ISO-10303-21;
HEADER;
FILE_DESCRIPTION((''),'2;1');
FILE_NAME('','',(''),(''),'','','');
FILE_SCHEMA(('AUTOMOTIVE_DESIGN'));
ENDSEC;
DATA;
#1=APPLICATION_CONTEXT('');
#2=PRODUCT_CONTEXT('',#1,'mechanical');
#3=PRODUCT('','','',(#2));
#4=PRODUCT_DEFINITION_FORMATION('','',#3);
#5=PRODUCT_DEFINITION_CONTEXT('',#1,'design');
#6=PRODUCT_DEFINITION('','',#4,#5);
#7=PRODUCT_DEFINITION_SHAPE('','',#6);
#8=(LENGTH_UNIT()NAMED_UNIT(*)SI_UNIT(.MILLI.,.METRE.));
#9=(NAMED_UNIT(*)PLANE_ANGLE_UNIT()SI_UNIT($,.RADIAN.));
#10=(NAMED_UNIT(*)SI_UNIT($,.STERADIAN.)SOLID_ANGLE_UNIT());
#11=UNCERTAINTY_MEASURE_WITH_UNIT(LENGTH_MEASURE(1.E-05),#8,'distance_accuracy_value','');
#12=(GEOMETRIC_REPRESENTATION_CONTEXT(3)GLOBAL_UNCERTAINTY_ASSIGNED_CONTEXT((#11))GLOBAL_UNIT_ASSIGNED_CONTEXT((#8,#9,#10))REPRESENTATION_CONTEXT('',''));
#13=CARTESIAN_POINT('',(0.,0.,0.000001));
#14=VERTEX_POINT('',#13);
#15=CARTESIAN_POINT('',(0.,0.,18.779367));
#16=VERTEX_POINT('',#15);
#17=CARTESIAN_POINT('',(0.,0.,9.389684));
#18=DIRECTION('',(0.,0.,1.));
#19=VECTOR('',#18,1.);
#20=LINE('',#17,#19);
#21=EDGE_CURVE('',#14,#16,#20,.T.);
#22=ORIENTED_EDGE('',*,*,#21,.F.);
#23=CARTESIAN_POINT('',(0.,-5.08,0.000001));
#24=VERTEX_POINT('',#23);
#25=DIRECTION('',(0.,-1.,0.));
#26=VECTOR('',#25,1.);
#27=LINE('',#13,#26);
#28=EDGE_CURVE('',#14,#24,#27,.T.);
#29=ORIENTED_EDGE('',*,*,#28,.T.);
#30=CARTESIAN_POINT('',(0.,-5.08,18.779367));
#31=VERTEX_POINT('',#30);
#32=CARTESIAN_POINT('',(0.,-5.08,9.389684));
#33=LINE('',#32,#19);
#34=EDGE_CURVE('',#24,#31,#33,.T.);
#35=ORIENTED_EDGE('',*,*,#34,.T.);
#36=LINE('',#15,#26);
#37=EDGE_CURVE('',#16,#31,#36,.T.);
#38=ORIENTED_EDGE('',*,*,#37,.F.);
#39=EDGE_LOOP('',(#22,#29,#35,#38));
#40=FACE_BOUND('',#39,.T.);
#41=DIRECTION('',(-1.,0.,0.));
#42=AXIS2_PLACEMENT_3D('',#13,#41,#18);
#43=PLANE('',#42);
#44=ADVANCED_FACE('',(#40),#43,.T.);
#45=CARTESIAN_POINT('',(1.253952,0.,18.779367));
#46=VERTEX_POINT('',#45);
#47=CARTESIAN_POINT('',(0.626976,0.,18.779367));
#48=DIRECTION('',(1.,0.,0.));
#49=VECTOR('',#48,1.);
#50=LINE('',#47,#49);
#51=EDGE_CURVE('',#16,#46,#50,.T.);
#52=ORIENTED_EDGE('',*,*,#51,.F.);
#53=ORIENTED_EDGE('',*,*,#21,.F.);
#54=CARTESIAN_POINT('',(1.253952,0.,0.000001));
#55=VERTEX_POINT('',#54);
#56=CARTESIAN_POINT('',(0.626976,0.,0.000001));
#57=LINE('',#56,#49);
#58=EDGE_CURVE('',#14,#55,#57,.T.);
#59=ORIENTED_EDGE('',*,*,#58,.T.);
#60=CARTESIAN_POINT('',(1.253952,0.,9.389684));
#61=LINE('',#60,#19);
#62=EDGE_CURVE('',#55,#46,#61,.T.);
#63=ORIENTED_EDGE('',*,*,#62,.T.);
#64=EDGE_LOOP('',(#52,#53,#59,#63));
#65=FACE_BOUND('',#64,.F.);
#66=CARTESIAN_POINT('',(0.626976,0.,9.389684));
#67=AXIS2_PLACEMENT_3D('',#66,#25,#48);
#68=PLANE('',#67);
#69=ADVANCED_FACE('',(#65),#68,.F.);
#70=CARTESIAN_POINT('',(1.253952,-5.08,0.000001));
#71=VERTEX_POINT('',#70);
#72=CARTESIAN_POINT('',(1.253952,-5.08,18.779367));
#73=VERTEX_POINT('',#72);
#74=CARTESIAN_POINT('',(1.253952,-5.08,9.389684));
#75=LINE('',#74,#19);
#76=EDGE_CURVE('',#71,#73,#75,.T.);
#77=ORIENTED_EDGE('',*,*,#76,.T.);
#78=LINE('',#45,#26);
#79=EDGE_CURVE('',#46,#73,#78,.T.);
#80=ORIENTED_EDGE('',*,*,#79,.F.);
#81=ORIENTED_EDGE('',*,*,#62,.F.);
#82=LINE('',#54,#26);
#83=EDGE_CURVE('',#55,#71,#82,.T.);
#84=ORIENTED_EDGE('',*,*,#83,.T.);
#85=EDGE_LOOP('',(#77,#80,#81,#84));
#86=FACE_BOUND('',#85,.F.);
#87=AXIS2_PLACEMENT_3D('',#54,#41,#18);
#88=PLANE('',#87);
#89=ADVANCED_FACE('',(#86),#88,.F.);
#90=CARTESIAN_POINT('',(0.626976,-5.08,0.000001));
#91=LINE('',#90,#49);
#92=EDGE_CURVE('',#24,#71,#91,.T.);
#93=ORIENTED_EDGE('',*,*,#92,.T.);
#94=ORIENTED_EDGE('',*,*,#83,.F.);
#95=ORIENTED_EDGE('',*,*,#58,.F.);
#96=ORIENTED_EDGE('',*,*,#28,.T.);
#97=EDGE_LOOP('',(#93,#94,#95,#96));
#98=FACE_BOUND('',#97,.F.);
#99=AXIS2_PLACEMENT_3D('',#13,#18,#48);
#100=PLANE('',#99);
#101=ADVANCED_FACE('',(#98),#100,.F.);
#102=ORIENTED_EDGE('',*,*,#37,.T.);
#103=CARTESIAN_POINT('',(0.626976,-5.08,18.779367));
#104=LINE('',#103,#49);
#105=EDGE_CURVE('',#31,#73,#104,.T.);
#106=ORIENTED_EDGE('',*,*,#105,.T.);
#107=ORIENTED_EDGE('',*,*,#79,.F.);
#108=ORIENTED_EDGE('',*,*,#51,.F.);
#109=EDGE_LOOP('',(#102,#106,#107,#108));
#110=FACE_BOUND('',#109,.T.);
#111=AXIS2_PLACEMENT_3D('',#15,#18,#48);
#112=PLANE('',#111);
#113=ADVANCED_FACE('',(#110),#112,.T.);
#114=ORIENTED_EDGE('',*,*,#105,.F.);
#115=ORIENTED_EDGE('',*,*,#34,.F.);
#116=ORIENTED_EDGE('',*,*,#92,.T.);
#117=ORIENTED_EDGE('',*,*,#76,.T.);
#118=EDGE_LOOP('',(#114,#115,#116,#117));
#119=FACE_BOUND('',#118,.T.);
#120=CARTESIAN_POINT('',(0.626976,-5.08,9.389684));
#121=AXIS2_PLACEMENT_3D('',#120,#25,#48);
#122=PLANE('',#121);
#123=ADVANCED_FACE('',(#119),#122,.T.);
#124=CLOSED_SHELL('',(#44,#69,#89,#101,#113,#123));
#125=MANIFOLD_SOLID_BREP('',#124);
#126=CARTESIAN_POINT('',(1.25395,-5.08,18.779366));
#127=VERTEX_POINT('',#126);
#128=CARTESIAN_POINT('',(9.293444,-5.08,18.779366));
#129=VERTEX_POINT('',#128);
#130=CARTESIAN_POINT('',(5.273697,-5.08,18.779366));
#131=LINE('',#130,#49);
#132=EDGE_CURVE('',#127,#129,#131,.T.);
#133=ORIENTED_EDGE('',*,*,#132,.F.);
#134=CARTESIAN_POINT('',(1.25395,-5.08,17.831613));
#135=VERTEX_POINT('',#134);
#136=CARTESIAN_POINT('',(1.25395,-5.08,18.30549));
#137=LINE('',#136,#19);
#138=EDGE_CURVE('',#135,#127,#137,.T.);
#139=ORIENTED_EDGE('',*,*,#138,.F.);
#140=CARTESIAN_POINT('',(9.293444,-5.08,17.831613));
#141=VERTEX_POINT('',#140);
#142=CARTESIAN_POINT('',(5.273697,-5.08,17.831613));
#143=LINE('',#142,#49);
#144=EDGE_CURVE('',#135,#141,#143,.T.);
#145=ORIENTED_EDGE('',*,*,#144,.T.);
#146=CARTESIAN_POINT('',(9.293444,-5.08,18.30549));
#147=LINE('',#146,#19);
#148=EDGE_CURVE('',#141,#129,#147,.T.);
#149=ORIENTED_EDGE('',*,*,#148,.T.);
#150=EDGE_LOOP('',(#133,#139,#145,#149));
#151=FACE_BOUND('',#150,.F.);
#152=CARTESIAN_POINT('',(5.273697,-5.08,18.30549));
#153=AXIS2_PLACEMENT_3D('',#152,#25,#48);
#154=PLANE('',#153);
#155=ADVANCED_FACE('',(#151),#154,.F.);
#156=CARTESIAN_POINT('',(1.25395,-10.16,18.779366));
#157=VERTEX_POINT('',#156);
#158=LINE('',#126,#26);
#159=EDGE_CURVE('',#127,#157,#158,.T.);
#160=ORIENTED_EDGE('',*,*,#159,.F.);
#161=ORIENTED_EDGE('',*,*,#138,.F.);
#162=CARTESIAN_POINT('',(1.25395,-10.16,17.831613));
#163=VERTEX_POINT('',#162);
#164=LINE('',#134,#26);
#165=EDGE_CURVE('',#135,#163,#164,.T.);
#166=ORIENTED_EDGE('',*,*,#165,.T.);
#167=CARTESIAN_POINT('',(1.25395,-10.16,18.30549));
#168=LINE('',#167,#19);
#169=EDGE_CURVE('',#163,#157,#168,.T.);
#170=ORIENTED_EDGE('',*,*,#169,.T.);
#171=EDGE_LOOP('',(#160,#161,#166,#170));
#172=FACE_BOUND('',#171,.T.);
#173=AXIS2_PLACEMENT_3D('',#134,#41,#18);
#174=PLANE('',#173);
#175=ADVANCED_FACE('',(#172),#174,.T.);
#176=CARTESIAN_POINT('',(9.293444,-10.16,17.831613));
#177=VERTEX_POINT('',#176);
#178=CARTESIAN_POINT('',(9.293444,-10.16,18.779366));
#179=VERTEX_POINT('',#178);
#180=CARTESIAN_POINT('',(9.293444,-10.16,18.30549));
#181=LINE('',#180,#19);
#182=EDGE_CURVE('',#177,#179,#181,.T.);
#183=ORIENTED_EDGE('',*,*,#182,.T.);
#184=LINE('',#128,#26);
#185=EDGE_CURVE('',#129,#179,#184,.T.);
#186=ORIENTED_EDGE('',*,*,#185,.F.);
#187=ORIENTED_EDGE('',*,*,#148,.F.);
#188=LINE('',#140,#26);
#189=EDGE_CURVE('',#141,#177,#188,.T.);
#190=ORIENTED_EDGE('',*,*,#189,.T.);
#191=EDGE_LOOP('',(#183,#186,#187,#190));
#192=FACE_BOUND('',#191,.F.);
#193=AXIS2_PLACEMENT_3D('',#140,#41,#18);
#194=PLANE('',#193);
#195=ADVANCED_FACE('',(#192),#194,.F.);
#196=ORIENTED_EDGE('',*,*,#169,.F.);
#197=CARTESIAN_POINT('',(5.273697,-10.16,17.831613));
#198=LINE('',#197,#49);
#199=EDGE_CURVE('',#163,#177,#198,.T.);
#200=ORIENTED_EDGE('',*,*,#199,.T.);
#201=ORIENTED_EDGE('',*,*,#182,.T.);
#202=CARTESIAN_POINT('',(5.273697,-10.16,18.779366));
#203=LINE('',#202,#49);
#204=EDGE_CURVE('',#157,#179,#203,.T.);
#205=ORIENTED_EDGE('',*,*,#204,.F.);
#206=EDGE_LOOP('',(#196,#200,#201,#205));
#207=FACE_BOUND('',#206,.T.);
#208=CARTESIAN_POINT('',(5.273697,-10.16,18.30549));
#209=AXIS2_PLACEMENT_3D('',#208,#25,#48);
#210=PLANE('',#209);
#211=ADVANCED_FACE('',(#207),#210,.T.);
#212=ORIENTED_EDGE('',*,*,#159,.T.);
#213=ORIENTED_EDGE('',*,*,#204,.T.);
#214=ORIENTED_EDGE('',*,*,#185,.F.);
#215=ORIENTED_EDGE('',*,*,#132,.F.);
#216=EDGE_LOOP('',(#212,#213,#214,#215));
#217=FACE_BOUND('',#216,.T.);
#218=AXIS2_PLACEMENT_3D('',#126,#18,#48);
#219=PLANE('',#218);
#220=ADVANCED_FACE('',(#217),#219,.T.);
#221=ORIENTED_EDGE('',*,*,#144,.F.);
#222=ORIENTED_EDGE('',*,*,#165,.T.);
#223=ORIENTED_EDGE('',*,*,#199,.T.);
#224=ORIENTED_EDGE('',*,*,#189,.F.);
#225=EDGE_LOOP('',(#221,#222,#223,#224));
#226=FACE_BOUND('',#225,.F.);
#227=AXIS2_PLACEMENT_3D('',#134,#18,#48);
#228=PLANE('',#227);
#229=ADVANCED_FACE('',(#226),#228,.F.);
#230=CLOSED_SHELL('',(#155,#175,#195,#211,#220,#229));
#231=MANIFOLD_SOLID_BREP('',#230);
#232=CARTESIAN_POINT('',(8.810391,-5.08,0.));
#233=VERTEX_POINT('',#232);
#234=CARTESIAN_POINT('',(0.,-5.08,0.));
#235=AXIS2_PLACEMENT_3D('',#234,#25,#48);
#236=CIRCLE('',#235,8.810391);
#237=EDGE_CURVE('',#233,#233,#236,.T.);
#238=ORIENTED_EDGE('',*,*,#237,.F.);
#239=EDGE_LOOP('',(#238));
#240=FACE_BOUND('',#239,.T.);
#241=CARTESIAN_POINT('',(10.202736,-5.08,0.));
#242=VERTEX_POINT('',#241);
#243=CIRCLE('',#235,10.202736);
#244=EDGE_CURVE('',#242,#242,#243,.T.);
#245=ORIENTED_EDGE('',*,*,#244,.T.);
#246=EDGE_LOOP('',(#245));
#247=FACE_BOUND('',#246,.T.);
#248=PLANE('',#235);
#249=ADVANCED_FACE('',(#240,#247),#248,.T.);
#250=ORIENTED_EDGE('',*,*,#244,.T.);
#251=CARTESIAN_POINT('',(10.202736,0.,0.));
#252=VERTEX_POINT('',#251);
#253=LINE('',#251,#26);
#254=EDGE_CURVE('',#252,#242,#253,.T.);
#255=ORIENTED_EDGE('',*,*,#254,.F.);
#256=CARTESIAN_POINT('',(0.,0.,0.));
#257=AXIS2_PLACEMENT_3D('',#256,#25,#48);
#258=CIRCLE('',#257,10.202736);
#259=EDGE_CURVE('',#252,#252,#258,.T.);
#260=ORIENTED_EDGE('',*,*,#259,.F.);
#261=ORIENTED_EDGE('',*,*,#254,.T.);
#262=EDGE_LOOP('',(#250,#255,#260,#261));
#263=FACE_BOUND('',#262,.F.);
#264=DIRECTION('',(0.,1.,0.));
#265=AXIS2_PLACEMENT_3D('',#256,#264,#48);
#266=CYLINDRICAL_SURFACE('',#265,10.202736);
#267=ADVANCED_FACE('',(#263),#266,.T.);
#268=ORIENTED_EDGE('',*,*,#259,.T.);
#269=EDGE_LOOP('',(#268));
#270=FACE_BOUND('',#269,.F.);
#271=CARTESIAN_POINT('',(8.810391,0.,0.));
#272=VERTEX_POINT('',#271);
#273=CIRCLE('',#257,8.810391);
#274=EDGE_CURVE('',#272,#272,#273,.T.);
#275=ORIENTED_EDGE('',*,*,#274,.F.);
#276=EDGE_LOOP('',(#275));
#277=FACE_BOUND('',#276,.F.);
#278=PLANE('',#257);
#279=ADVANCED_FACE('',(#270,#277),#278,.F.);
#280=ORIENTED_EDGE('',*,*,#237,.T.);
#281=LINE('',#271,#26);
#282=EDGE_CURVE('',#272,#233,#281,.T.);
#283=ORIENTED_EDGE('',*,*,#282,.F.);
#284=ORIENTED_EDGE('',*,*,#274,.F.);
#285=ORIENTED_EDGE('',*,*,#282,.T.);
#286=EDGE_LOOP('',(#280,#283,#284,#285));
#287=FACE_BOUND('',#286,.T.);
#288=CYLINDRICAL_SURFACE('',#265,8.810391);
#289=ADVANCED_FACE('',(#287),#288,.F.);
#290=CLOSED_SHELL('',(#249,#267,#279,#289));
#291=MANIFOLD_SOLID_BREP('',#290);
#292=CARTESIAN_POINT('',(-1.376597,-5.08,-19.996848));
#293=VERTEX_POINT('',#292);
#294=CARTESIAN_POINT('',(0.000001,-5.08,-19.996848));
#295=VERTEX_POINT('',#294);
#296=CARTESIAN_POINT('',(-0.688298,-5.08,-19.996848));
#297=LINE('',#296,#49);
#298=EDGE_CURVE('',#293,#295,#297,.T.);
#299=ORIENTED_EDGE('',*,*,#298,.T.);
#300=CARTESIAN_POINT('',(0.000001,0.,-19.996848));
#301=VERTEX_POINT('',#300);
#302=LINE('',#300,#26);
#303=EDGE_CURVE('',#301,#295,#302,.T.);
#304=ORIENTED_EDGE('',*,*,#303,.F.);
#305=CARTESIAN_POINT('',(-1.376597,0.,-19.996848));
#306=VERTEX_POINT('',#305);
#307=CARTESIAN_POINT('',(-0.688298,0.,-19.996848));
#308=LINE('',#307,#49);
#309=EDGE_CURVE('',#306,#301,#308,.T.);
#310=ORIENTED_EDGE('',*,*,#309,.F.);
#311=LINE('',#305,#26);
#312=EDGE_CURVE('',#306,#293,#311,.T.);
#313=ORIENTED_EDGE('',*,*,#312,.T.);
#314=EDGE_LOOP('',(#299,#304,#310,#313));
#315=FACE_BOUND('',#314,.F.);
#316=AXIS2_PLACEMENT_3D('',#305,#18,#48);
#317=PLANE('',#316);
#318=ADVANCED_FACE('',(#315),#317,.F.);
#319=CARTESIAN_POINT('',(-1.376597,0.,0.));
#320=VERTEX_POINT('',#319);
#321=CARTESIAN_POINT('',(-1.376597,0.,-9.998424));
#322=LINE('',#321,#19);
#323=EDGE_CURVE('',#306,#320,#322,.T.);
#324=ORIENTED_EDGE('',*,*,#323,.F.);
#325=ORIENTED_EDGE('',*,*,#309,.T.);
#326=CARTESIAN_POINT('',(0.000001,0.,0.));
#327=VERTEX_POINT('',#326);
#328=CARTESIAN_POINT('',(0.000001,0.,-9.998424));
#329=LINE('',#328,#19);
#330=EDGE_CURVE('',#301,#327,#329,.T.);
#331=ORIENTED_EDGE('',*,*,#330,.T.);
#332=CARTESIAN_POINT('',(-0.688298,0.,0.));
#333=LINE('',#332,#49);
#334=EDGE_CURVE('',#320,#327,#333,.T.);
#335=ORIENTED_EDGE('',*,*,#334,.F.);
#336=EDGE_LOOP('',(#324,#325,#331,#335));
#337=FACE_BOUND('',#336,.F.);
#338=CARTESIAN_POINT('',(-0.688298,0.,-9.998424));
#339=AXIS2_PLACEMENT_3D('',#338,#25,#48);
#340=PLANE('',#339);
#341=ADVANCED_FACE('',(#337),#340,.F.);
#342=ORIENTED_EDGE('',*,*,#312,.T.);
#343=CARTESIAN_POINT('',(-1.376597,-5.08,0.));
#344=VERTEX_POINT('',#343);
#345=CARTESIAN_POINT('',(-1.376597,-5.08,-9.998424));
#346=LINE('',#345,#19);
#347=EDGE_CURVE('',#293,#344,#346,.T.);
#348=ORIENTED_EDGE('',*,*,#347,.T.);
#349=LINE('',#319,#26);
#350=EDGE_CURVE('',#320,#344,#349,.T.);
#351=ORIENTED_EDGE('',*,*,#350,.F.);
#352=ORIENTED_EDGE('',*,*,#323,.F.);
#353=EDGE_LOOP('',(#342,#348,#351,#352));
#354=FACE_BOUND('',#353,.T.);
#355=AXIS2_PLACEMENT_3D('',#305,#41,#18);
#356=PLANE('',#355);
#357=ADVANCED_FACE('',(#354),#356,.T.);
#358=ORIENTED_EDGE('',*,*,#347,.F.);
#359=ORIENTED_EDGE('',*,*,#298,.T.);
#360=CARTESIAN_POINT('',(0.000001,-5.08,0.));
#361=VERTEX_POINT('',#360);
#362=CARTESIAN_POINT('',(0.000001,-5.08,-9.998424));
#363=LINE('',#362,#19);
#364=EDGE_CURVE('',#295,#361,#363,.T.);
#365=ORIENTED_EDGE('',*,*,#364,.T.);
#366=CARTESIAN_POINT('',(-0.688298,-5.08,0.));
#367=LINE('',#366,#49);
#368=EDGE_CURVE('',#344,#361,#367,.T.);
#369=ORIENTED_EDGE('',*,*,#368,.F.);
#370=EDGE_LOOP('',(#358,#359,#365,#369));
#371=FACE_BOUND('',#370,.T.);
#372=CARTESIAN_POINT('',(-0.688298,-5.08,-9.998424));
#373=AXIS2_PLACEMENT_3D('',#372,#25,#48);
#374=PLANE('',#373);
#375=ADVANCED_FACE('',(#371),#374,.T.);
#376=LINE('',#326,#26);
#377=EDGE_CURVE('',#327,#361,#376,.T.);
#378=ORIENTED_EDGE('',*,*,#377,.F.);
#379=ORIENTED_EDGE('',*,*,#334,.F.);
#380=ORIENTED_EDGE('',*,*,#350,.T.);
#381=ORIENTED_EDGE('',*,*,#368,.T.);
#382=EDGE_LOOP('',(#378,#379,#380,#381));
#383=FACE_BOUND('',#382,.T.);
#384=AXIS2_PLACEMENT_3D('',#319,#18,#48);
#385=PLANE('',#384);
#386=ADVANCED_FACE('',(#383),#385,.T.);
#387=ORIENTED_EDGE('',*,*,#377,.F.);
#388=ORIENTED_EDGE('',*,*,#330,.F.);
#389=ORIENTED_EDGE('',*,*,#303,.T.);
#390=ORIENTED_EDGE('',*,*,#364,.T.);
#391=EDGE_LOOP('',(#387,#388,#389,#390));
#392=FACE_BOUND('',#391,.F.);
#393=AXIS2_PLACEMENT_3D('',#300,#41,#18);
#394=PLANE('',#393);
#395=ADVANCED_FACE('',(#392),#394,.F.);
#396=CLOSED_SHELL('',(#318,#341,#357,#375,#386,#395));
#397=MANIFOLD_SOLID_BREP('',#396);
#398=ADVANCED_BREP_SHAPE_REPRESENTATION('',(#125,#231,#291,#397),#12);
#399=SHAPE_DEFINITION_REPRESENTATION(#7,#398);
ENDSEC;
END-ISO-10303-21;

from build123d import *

# Parameters (mm, degrees)
F0_R     = 10.202736
F0_R_2   = 8.810391
F1_DEPTH = 5.08
F2_W     = 1.253951
F2_H     = 18.779367
F2_W_2   = 1.376597
F2_H_2   = 19.996848
F3_DEPTH = 5.08
F4_W     = 8.039493
F4_H     = 0.947753
F5_DEPTH = 5.08


with BuildPart() as f1:
    # F0 (on Front) → F1 (new body)
    with BuildSketch(Plane.XZ):
        Circle(F0_R)
        Circle(F0_R_2, mode=Mode.SUBTRACT)
    extrude(amount=F1_DEPTH)


with BuildPart() as f3:
    # F2 (on Front) → F3 (new body)
    with BuildSketch(Plane.XZ):
        with Locations((0.626976, 9.389684)):
            Rectangle(F2_W, F2_H)
        with Locations((-0.688298, -9.998424)):
            Rectangle(F2_W_2, F2_H_2)
    extrude(amount=F3_DEPTH)


with BuildPart() as f5:
    # F4 (on face) → F5 (new body)
    with BuildSketch(Plane.XZ.offset(5.08)):
        with Locations((5.273697, 18.30549)):
            Rectangle(F4_W, F4_H)
    extrude(amount=F5_DEPTH)


solid = Compound([f1.part, f3.part, f5.part])
